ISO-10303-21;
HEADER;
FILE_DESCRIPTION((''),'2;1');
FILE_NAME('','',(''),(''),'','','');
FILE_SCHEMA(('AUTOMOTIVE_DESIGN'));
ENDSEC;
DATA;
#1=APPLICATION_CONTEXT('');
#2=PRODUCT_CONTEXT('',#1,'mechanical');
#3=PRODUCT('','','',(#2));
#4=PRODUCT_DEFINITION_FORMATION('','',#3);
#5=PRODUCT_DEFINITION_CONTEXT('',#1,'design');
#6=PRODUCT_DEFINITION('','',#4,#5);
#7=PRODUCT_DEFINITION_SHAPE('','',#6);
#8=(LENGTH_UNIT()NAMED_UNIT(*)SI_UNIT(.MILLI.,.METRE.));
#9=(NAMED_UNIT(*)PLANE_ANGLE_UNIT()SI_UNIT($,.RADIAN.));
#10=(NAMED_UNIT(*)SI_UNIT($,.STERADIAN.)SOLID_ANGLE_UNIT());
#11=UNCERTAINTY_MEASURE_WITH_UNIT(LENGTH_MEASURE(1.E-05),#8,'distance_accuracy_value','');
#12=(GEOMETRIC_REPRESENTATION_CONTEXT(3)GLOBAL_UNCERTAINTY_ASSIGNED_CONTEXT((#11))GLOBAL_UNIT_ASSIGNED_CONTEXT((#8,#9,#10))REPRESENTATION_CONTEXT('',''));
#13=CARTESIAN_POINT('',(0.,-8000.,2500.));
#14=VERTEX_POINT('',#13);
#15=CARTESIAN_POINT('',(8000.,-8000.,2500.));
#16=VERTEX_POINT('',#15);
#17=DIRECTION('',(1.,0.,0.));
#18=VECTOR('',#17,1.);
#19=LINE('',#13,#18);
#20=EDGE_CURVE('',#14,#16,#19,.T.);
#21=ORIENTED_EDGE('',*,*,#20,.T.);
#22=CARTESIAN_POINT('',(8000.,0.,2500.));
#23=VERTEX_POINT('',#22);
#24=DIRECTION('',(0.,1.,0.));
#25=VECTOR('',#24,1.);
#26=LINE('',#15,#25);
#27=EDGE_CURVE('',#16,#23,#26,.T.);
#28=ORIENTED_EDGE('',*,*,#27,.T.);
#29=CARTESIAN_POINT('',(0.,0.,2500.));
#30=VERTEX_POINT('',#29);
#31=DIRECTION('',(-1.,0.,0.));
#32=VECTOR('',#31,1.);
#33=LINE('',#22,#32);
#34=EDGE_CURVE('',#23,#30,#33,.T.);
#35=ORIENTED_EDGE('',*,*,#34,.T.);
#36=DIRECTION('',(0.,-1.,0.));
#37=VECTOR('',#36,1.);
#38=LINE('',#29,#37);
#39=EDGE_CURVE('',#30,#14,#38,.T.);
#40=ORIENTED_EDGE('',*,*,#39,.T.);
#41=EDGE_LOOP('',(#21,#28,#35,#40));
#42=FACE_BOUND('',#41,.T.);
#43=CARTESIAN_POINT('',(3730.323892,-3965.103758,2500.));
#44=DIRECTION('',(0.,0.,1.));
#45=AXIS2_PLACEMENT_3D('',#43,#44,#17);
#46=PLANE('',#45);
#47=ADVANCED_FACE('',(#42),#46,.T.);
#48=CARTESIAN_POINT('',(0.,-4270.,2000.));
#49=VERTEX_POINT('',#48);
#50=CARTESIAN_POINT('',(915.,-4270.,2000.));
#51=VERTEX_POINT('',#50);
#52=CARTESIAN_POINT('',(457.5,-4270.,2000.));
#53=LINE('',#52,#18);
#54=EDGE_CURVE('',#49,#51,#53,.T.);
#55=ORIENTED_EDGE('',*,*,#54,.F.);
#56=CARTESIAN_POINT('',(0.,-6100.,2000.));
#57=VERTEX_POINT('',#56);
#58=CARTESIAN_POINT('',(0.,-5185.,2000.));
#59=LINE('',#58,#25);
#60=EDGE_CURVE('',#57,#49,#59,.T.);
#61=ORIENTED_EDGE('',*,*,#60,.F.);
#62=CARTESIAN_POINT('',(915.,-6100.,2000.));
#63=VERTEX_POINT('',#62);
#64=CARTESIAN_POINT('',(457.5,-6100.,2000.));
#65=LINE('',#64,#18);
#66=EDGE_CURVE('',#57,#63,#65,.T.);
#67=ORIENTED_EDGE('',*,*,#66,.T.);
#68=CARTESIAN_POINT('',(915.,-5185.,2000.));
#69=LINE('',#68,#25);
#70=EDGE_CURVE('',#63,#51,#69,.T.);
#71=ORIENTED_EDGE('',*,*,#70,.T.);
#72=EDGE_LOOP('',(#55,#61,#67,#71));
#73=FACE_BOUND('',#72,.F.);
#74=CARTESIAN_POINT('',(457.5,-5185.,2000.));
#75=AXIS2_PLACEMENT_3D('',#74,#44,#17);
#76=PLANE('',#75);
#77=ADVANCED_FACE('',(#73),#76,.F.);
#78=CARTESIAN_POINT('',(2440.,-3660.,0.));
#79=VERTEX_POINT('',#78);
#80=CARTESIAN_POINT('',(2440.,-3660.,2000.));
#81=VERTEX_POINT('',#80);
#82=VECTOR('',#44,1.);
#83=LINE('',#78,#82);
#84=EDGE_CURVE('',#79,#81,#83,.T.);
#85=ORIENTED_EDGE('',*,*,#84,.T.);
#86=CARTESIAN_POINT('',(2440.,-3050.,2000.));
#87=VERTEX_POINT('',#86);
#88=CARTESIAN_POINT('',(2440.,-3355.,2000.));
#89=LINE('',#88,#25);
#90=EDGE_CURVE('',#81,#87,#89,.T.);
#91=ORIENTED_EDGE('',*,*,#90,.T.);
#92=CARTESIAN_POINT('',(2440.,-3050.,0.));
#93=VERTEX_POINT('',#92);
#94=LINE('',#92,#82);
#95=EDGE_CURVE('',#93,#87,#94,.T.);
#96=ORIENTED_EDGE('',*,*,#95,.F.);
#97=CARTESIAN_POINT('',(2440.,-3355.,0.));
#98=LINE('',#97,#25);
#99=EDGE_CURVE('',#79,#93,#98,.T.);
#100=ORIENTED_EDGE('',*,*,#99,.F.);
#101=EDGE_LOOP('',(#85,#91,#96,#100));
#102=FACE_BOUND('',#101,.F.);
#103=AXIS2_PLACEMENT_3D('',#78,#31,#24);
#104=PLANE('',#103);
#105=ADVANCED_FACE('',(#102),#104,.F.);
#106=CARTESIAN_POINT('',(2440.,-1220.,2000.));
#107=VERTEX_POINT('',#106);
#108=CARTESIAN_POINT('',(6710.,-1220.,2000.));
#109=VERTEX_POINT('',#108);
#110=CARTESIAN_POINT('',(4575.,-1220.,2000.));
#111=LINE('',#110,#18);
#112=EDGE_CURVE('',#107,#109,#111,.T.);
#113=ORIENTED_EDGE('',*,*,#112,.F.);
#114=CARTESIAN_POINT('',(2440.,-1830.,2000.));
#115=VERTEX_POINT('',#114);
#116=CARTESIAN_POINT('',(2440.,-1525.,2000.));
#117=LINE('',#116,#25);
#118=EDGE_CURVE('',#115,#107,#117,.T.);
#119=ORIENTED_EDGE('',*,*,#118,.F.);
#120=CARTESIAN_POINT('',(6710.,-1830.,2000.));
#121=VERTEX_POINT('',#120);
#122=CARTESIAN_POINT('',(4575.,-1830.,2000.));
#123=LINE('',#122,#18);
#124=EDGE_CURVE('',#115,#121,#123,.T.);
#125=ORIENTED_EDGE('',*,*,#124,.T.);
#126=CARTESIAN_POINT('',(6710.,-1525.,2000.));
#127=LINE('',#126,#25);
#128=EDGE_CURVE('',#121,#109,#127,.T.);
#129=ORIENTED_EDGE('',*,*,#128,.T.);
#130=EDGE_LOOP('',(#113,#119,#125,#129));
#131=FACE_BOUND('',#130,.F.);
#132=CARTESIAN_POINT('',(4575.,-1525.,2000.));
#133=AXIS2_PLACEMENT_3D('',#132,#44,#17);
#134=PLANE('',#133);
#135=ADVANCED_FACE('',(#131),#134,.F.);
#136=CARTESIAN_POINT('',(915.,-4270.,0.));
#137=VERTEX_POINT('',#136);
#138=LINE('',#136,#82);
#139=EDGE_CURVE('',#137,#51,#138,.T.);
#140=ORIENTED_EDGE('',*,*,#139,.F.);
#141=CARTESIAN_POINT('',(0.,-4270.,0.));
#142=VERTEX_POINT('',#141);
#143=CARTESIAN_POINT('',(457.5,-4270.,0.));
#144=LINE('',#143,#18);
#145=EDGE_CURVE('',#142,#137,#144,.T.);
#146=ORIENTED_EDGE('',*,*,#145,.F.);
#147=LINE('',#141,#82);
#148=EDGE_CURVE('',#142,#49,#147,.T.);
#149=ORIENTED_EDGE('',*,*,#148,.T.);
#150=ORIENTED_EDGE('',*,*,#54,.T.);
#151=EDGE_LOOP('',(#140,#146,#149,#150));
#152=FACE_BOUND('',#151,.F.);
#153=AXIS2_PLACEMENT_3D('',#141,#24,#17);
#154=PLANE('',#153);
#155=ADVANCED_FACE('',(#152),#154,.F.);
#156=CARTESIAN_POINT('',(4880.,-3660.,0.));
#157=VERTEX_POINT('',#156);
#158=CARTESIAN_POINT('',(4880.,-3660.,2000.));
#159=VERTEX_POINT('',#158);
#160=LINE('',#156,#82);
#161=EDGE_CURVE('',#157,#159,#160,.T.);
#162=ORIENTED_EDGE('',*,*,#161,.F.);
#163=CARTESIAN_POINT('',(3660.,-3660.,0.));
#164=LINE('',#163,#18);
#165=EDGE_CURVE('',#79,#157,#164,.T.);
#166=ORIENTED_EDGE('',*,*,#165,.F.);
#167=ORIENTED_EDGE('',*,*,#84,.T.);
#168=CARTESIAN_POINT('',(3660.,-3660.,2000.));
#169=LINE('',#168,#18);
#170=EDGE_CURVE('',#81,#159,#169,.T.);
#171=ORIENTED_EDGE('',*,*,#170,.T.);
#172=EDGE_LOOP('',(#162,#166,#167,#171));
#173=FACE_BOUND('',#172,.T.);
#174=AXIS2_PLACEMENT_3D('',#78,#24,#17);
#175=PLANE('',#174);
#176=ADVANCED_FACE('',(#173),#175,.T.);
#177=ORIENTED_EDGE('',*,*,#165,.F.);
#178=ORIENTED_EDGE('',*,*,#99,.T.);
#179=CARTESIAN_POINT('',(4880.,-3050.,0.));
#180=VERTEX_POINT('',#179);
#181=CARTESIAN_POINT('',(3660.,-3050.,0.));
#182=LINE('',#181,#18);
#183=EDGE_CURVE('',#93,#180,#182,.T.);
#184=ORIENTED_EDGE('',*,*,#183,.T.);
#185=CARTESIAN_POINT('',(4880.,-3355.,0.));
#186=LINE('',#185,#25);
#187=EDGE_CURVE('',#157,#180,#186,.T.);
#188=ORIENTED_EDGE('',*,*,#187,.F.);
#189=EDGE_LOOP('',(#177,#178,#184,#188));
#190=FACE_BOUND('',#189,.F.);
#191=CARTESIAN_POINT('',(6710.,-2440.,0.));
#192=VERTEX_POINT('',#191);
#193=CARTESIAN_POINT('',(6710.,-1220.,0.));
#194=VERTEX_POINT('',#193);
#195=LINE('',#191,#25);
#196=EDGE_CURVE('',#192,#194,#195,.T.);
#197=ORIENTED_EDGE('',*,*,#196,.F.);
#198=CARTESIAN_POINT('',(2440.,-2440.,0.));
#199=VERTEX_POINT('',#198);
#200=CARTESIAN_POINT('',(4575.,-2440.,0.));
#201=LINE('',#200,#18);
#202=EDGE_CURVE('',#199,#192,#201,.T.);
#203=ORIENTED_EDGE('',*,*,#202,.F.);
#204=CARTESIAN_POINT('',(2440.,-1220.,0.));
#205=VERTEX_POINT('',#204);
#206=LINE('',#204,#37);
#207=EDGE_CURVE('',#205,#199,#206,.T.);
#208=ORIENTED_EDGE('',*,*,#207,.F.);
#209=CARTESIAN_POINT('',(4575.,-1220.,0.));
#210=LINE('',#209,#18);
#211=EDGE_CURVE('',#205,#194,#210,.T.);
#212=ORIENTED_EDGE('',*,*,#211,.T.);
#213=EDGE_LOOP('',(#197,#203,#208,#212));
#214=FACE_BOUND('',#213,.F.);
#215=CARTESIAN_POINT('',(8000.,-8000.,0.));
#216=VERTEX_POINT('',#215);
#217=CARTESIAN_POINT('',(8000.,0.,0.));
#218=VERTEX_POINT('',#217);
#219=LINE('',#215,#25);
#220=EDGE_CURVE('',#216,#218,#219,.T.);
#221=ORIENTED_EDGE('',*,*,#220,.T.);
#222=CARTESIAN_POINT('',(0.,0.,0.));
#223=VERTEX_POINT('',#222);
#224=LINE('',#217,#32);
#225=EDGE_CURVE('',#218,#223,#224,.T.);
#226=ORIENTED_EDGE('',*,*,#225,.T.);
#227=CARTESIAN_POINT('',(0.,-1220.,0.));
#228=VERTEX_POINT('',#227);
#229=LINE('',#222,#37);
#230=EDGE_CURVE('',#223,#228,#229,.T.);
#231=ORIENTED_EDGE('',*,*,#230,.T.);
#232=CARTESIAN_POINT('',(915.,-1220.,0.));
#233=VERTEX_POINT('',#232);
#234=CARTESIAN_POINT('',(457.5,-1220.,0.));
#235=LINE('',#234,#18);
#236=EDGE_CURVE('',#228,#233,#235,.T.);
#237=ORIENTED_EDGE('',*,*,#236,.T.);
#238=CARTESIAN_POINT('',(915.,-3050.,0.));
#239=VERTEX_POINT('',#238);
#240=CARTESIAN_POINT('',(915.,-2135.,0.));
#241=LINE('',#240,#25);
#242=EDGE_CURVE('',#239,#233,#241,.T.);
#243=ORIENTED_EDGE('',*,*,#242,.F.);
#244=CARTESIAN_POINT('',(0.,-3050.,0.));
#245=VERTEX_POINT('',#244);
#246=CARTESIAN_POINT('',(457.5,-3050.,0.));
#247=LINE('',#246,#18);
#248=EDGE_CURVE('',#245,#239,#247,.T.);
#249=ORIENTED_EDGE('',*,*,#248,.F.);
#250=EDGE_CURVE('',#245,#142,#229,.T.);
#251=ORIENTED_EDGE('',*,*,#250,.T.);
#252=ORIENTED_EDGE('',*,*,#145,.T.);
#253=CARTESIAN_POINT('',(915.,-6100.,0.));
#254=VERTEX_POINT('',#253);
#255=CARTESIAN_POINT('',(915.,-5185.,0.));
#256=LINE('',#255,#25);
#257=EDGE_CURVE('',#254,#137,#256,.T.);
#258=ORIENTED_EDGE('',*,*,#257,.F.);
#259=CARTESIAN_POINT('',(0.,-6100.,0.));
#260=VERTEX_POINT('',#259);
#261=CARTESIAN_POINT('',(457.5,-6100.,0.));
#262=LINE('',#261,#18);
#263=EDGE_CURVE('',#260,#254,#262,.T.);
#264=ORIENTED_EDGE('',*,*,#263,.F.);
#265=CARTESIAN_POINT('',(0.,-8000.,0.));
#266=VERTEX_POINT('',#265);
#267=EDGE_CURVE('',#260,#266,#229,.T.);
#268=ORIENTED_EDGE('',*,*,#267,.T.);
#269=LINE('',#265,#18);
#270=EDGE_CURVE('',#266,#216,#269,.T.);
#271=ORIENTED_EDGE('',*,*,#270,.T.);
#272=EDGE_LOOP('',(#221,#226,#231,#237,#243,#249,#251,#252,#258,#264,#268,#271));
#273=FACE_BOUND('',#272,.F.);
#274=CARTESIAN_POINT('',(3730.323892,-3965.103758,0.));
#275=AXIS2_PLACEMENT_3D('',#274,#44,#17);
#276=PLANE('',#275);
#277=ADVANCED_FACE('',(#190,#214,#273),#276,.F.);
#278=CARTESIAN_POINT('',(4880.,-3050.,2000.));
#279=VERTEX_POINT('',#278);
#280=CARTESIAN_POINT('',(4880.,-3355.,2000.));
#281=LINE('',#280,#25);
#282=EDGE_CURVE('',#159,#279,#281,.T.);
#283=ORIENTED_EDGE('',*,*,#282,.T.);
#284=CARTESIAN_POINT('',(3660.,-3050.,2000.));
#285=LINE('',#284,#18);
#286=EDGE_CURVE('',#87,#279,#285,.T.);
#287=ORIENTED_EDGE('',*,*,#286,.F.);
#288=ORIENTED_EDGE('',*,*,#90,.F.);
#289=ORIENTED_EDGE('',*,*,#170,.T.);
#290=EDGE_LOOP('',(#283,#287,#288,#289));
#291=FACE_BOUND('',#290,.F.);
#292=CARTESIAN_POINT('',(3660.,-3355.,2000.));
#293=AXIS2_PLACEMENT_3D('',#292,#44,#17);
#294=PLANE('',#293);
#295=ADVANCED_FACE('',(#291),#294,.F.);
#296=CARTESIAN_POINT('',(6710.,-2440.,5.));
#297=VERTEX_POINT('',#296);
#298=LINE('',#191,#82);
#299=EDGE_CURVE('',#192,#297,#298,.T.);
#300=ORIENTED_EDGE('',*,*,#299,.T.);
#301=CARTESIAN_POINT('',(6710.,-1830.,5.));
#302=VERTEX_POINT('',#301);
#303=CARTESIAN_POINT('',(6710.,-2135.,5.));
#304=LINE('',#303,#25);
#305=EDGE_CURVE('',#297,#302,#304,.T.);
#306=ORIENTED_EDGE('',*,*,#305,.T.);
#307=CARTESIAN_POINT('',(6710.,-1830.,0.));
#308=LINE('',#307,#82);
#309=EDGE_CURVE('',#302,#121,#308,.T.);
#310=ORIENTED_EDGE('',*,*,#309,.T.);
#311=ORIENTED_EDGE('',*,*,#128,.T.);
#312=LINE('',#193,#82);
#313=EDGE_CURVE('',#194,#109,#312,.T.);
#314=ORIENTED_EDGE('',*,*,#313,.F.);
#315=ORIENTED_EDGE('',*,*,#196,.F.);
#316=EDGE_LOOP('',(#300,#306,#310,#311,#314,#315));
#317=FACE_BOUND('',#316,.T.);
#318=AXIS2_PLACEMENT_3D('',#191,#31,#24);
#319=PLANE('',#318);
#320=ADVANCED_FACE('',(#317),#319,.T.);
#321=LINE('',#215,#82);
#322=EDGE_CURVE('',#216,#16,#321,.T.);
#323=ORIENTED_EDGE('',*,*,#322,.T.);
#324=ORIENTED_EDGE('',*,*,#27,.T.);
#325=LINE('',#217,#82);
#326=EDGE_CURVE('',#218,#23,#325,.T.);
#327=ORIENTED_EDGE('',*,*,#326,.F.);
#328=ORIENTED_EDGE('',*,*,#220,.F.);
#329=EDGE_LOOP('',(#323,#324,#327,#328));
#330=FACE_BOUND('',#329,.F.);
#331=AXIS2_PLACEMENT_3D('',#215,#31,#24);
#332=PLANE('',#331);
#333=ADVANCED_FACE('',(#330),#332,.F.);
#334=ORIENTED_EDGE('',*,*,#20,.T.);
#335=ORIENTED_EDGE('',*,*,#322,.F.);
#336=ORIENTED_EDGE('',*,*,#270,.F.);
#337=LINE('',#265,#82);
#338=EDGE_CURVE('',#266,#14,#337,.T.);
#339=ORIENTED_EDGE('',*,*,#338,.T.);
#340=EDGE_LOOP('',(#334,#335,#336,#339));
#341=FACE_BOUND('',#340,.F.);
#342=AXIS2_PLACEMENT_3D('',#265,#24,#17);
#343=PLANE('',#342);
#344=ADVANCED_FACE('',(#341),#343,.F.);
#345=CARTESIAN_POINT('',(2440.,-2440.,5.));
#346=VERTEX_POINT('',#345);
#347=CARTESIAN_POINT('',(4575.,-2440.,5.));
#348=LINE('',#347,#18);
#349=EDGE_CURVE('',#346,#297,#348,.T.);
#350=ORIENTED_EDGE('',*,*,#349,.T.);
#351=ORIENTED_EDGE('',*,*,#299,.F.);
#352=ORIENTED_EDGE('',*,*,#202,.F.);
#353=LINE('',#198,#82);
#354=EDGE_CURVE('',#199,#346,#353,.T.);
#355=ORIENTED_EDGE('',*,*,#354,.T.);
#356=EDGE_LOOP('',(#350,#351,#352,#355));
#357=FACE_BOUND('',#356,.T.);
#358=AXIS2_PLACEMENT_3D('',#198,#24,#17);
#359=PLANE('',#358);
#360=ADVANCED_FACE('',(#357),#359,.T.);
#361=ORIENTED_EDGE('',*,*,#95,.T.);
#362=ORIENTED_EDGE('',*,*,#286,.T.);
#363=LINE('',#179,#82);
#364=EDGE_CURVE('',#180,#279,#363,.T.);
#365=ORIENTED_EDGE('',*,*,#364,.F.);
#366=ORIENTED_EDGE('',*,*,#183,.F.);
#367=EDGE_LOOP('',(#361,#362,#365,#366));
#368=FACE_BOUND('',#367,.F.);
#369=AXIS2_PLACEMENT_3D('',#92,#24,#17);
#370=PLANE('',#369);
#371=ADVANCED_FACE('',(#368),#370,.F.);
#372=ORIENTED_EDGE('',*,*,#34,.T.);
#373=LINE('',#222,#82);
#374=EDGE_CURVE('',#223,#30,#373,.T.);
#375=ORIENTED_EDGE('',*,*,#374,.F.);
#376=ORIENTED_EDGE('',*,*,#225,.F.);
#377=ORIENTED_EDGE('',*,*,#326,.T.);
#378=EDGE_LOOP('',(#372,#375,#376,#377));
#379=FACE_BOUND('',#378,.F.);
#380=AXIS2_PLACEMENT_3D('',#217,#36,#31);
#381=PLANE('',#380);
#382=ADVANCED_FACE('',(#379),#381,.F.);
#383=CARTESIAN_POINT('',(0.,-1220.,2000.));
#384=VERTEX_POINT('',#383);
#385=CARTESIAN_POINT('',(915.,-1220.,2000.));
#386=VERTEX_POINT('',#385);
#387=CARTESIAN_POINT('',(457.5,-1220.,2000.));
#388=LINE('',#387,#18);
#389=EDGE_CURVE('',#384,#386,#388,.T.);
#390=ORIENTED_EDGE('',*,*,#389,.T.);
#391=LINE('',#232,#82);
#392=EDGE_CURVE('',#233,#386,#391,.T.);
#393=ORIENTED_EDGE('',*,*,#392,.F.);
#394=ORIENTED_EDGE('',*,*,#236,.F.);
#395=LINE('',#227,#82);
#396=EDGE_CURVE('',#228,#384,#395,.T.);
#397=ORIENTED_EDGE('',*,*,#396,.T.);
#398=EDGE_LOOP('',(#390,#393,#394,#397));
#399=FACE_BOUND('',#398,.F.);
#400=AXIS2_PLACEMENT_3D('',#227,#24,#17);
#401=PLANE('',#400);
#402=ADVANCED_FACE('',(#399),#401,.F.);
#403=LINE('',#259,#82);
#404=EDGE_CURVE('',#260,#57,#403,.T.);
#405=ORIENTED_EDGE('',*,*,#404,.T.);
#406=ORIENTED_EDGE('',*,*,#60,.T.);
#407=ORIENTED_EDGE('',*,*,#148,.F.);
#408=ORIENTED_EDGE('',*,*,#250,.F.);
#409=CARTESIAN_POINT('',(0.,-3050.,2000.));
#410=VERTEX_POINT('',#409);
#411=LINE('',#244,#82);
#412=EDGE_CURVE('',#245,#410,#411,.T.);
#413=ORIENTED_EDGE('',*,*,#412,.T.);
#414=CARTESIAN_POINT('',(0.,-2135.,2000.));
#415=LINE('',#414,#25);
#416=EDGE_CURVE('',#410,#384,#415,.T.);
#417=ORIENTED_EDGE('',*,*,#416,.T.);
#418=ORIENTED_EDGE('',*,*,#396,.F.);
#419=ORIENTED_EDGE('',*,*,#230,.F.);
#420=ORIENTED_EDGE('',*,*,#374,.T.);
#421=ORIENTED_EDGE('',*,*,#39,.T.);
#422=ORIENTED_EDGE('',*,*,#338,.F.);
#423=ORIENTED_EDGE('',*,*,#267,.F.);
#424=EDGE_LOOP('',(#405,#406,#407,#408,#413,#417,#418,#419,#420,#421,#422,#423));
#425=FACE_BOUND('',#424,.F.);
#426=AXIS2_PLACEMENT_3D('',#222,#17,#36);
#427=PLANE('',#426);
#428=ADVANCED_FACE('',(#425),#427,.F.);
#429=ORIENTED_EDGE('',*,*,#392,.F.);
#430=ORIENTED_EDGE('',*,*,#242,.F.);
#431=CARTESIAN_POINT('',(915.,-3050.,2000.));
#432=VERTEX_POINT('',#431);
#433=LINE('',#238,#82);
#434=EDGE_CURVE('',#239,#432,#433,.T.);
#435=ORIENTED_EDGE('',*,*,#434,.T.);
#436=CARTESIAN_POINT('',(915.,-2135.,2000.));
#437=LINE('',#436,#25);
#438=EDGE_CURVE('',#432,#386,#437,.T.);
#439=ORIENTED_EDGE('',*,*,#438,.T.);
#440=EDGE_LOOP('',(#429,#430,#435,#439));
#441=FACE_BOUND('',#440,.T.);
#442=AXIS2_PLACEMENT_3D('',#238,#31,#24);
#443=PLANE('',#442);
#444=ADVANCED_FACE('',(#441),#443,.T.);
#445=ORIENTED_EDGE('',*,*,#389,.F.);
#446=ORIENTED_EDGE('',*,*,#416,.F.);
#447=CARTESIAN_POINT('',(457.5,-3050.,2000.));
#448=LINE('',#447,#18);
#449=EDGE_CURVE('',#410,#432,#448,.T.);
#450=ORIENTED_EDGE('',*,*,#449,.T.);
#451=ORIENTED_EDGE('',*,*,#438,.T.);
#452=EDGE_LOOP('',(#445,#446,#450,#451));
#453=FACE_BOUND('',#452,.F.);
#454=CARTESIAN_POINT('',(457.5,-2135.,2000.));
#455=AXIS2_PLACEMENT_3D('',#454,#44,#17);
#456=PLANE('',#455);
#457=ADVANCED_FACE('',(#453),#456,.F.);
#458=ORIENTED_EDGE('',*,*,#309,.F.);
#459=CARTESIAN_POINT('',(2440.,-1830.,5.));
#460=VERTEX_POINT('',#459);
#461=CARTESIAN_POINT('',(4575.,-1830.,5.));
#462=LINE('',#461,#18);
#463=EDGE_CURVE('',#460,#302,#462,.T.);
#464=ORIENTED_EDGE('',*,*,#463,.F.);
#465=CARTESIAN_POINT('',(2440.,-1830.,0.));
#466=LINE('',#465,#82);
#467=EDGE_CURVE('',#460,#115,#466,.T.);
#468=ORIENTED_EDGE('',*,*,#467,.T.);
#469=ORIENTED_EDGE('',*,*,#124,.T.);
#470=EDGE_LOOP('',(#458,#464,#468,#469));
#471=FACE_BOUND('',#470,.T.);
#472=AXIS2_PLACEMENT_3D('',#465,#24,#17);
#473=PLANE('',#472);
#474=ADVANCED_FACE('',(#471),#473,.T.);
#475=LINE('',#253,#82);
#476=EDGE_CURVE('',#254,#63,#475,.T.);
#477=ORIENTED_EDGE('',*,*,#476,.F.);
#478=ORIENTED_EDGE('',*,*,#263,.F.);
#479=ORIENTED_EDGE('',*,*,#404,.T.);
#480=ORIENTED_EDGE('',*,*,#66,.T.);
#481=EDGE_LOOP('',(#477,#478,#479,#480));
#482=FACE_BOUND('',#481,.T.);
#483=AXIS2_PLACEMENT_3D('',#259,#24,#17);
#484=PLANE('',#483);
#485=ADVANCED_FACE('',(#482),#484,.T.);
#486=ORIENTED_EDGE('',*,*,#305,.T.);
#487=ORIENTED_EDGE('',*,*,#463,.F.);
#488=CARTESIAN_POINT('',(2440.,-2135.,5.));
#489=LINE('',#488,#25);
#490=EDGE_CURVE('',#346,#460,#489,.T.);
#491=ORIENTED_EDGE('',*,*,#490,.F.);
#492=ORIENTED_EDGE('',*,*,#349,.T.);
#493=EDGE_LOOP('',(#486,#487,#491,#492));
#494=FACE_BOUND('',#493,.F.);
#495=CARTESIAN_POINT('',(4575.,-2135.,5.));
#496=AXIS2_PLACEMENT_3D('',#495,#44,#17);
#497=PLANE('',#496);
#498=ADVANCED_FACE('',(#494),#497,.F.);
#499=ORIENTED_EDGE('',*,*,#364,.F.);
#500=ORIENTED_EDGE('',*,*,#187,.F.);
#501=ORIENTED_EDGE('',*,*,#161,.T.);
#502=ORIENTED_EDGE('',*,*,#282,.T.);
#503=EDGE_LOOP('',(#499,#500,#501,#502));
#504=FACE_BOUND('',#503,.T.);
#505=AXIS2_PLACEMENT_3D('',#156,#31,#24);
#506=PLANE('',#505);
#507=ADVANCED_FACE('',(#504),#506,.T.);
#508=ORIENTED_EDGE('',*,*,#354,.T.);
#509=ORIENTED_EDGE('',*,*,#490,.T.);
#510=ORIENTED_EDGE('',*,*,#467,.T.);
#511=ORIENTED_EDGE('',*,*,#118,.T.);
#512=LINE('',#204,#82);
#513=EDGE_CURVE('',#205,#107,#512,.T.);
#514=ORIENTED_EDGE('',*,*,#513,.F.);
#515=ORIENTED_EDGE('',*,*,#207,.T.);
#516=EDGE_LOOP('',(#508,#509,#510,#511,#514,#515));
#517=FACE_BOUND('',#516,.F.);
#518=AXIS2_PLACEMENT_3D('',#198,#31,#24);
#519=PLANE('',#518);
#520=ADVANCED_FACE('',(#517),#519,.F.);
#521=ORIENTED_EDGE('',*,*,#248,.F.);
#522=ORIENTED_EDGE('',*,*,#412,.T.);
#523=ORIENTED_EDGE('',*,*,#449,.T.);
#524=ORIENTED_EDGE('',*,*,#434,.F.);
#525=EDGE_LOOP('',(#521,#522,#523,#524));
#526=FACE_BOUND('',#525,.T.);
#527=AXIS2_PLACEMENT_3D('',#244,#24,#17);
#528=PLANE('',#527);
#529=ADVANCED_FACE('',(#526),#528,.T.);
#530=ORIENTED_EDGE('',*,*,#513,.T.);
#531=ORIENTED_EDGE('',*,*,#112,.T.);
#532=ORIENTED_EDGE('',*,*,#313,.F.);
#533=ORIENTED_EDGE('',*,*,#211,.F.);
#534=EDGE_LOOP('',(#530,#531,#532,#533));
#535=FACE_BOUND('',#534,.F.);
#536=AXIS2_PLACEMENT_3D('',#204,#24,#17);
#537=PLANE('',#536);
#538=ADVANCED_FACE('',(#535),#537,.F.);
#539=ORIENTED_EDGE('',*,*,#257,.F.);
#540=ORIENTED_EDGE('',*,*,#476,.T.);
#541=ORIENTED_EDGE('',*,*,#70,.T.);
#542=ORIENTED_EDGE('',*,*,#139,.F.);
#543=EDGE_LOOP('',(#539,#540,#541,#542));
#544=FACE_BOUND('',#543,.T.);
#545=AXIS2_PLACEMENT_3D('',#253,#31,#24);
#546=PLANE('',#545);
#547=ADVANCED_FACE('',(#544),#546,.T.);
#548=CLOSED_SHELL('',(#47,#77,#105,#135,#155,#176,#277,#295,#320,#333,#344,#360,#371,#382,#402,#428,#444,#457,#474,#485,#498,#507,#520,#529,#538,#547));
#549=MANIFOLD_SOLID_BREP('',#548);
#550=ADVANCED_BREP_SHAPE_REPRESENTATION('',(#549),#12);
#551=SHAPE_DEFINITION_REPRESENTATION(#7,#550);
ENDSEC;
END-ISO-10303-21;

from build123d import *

# Parameters (mm, degrees)
F0_W     = 2440
F0_H     = 610
F0_W_2   = 915
F0_H_2   = 1830
F0_W_3   = 4270
F1_DEPTH = 2500
F2_DEPTH = 2000
F3_DEPTH = 5


with BuildPart() as f1:
    # F0 (on Top) → F1 (new body)
    with BuildSketch(Plane.XY):
        Polygon((8000, 0), (0, 0), (0, -1220), (915, -1220), (915, -3050), (0, -3050), (0, -4270), (915, -4270), (915, -6100), (0, -6100), (0, -8000), (8000, -8000), align=None)
        with Locations((3660, -3355)):
            Rectangle(F0_W, F0_H, mode=Mode.SUBTRACT)
        Polygon((2440, -1830), (2440, -1220), (6710, -1220), (6710, -1830), (6710, -2440), (2440, -2440), align=None, mode=Mode.SUBTRACT)
        with Locations((457.5, -5185)):
            Rectangle(F0_W_2, F0_H_2)
        with Locations((457.5, -2135)):
            Rectangle(F0_W_2, F0_H_2)
        with Locations((3660, -3355)):
            Rectangle(F0_W, F0_H)
        with Locations((4575, -2135)):
            Rectangle(F0_W_3, F0_H)
        with Locations((4575, -1525)):
            Rectangle(F0_W_3, F0_H)
    extrude(amount=F1_DEPTH)

    # F0 (on Top) → F2 (cut)
    with BuildSketch(Plane.XY):
        with Locations((457.5, -5185)):
            Rectangle(F0_W_2, F0_H_2)
        with Locations((457.5, -2135)):
            Rectangle(F0_W_2, F0_H_2)
        with Locations((3660, -3355)):
            Rectangle(F0_W, F0_H)
        with Locations((4575, -1525)):
            Rectangle(F0_W_3, F0_H)
    extrude(amount=F2_DEPTH, mode=Mode.SUBTRACT)

    # F0 (on Top) → F3 (cut)
    with BuildSketch(Plane.XY):
        with Locations((4575, -2135)):
            Rectangle(F0_W_3, F0_H)
    extrude(amount=F3_DEPTH, mode=Mode.SUBTRACT)


solid = f1.part
